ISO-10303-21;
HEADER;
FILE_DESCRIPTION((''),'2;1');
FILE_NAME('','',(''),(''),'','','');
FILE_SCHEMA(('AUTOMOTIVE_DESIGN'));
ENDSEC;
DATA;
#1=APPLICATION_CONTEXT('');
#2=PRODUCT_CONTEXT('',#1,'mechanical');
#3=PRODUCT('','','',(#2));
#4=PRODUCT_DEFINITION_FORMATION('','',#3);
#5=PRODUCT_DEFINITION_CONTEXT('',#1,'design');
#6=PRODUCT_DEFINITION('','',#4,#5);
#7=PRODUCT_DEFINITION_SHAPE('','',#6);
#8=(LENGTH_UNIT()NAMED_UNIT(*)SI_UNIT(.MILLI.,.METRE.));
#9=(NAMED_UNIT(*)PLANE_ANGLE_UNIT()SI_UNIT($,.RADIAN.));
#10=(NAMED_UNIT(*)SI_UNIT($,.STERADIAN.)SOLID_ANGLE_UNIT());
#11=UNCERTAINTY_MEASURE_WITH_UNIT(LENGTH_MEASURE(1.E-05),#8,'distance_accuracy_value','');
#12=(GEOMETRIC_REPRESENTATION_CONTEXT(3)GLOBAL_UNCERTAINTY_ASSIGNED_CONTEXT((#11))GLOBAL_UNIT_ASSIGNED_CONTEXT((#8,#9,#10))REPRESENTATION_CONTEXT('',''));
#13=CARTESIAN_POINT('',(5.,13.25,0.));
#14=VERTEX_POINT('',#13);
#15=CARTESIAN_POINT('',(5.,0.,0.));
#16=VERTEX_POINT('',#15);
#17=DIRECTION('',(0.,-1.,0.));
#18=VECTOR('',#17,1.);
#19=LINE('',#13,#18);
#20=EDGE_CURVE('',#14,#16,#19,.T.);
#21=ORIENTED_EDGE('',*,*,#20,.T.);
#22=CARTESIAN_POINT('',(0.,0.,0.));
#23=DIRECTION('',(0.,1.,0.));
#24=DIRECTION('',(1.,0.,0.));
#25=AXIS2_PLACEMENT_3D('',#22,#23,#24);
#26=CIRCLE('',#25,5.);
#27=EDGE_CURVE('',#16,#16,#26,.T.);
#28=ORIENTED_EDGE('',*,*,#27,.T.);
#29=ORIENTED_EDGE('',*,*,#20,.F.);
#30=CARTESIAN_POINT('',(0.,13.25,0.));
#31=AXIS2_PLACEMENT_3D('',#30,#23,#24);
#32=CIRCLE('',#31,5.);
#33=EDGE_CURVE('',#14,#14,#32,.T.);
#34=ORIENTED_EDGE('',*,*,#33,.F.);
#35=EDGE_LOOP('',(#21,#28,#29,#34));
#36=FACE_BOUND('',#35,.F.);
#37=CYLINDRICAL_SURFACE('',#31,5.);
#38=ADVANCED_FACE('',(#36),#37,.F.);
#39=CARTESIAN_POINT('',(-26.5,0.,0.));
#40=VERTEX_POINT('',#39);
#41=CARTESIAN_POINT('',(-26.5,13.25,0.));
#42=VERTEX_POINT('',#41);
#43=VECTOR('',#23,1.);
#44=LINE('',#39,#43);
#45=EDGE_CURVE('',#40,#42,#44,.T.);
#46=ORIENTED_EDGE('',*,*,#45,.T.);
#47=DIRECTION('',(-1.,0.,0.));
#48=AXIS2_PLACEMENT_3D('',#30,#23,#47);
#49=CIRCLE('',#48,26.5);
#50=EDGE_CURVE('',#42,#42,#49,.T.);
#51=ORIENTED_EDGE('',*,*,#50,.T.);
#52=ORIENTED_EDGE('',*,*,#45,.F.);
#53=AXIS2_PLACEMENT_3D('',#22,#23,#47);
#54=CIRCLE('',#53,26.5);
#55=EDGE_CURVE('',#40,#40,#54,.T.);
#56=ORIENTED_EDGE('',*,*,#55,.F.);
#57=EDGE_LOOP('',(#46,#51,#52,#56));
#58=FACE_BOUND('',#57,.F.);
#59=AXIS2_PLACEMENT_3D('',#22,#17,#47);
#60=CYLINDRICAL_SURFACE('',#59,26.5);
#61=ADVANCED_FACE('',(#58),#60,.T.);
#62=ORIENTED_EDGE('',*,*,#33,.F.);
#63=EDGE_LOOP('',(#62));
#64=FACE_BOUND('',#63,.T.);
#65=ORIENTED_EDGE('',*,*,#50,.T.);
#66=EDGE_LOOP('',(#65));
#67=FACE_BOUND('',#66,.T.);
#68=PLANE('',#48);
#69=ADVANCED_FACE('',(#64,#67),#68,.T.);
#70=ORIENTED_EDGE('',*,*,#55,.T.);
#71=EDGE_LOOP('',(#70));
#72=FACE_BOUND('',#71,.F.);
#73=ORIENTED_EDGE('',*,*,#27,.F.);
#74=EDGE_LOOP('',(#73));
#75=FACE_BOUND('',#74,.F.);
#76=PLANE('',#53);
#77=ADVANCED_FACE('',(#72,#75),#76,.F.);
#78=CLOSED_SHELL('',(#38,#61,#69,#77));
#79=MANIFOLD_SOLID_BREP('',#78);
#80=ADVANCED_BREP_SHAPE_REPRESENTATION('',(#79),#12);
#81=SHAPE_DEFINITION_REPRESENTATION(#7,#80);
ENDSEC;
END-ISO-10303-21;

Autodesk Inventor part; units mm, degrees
ref_plane "YZ Plane" through (0, 0, 0) normal (1, 0, 0) x (0, 1, 0)
ref_plane "XZ Plane" through (0, 0, 0) normal (0, 1, 0) x (-1, 0, 0)
ref_plane "XY Plane" through (0, 0, 0) normal (0, 0, 1) x (1, 0, 0)
sketch "Sketch1" plane through (0, 0, 0) normal (0, 1, 0) x (-1, 0, 0)
  circle A0 centre (0, 0) radius 26.5
  dimension "d0" = 53
extrude "Extrusion1" add sketch "Sketch1" along normal blind 13.25
sketch "Sketch2" plane through (0, 13.25, 0) normal (0, 1, 0) x (1, 0, 0)
  circle A0 centre (0, 0) radius 5
  dimension "d3" = 10
extrude "Extrusion2" cut sketch "Sketch2" against normal through all
properties part number "BASE VALVE"
